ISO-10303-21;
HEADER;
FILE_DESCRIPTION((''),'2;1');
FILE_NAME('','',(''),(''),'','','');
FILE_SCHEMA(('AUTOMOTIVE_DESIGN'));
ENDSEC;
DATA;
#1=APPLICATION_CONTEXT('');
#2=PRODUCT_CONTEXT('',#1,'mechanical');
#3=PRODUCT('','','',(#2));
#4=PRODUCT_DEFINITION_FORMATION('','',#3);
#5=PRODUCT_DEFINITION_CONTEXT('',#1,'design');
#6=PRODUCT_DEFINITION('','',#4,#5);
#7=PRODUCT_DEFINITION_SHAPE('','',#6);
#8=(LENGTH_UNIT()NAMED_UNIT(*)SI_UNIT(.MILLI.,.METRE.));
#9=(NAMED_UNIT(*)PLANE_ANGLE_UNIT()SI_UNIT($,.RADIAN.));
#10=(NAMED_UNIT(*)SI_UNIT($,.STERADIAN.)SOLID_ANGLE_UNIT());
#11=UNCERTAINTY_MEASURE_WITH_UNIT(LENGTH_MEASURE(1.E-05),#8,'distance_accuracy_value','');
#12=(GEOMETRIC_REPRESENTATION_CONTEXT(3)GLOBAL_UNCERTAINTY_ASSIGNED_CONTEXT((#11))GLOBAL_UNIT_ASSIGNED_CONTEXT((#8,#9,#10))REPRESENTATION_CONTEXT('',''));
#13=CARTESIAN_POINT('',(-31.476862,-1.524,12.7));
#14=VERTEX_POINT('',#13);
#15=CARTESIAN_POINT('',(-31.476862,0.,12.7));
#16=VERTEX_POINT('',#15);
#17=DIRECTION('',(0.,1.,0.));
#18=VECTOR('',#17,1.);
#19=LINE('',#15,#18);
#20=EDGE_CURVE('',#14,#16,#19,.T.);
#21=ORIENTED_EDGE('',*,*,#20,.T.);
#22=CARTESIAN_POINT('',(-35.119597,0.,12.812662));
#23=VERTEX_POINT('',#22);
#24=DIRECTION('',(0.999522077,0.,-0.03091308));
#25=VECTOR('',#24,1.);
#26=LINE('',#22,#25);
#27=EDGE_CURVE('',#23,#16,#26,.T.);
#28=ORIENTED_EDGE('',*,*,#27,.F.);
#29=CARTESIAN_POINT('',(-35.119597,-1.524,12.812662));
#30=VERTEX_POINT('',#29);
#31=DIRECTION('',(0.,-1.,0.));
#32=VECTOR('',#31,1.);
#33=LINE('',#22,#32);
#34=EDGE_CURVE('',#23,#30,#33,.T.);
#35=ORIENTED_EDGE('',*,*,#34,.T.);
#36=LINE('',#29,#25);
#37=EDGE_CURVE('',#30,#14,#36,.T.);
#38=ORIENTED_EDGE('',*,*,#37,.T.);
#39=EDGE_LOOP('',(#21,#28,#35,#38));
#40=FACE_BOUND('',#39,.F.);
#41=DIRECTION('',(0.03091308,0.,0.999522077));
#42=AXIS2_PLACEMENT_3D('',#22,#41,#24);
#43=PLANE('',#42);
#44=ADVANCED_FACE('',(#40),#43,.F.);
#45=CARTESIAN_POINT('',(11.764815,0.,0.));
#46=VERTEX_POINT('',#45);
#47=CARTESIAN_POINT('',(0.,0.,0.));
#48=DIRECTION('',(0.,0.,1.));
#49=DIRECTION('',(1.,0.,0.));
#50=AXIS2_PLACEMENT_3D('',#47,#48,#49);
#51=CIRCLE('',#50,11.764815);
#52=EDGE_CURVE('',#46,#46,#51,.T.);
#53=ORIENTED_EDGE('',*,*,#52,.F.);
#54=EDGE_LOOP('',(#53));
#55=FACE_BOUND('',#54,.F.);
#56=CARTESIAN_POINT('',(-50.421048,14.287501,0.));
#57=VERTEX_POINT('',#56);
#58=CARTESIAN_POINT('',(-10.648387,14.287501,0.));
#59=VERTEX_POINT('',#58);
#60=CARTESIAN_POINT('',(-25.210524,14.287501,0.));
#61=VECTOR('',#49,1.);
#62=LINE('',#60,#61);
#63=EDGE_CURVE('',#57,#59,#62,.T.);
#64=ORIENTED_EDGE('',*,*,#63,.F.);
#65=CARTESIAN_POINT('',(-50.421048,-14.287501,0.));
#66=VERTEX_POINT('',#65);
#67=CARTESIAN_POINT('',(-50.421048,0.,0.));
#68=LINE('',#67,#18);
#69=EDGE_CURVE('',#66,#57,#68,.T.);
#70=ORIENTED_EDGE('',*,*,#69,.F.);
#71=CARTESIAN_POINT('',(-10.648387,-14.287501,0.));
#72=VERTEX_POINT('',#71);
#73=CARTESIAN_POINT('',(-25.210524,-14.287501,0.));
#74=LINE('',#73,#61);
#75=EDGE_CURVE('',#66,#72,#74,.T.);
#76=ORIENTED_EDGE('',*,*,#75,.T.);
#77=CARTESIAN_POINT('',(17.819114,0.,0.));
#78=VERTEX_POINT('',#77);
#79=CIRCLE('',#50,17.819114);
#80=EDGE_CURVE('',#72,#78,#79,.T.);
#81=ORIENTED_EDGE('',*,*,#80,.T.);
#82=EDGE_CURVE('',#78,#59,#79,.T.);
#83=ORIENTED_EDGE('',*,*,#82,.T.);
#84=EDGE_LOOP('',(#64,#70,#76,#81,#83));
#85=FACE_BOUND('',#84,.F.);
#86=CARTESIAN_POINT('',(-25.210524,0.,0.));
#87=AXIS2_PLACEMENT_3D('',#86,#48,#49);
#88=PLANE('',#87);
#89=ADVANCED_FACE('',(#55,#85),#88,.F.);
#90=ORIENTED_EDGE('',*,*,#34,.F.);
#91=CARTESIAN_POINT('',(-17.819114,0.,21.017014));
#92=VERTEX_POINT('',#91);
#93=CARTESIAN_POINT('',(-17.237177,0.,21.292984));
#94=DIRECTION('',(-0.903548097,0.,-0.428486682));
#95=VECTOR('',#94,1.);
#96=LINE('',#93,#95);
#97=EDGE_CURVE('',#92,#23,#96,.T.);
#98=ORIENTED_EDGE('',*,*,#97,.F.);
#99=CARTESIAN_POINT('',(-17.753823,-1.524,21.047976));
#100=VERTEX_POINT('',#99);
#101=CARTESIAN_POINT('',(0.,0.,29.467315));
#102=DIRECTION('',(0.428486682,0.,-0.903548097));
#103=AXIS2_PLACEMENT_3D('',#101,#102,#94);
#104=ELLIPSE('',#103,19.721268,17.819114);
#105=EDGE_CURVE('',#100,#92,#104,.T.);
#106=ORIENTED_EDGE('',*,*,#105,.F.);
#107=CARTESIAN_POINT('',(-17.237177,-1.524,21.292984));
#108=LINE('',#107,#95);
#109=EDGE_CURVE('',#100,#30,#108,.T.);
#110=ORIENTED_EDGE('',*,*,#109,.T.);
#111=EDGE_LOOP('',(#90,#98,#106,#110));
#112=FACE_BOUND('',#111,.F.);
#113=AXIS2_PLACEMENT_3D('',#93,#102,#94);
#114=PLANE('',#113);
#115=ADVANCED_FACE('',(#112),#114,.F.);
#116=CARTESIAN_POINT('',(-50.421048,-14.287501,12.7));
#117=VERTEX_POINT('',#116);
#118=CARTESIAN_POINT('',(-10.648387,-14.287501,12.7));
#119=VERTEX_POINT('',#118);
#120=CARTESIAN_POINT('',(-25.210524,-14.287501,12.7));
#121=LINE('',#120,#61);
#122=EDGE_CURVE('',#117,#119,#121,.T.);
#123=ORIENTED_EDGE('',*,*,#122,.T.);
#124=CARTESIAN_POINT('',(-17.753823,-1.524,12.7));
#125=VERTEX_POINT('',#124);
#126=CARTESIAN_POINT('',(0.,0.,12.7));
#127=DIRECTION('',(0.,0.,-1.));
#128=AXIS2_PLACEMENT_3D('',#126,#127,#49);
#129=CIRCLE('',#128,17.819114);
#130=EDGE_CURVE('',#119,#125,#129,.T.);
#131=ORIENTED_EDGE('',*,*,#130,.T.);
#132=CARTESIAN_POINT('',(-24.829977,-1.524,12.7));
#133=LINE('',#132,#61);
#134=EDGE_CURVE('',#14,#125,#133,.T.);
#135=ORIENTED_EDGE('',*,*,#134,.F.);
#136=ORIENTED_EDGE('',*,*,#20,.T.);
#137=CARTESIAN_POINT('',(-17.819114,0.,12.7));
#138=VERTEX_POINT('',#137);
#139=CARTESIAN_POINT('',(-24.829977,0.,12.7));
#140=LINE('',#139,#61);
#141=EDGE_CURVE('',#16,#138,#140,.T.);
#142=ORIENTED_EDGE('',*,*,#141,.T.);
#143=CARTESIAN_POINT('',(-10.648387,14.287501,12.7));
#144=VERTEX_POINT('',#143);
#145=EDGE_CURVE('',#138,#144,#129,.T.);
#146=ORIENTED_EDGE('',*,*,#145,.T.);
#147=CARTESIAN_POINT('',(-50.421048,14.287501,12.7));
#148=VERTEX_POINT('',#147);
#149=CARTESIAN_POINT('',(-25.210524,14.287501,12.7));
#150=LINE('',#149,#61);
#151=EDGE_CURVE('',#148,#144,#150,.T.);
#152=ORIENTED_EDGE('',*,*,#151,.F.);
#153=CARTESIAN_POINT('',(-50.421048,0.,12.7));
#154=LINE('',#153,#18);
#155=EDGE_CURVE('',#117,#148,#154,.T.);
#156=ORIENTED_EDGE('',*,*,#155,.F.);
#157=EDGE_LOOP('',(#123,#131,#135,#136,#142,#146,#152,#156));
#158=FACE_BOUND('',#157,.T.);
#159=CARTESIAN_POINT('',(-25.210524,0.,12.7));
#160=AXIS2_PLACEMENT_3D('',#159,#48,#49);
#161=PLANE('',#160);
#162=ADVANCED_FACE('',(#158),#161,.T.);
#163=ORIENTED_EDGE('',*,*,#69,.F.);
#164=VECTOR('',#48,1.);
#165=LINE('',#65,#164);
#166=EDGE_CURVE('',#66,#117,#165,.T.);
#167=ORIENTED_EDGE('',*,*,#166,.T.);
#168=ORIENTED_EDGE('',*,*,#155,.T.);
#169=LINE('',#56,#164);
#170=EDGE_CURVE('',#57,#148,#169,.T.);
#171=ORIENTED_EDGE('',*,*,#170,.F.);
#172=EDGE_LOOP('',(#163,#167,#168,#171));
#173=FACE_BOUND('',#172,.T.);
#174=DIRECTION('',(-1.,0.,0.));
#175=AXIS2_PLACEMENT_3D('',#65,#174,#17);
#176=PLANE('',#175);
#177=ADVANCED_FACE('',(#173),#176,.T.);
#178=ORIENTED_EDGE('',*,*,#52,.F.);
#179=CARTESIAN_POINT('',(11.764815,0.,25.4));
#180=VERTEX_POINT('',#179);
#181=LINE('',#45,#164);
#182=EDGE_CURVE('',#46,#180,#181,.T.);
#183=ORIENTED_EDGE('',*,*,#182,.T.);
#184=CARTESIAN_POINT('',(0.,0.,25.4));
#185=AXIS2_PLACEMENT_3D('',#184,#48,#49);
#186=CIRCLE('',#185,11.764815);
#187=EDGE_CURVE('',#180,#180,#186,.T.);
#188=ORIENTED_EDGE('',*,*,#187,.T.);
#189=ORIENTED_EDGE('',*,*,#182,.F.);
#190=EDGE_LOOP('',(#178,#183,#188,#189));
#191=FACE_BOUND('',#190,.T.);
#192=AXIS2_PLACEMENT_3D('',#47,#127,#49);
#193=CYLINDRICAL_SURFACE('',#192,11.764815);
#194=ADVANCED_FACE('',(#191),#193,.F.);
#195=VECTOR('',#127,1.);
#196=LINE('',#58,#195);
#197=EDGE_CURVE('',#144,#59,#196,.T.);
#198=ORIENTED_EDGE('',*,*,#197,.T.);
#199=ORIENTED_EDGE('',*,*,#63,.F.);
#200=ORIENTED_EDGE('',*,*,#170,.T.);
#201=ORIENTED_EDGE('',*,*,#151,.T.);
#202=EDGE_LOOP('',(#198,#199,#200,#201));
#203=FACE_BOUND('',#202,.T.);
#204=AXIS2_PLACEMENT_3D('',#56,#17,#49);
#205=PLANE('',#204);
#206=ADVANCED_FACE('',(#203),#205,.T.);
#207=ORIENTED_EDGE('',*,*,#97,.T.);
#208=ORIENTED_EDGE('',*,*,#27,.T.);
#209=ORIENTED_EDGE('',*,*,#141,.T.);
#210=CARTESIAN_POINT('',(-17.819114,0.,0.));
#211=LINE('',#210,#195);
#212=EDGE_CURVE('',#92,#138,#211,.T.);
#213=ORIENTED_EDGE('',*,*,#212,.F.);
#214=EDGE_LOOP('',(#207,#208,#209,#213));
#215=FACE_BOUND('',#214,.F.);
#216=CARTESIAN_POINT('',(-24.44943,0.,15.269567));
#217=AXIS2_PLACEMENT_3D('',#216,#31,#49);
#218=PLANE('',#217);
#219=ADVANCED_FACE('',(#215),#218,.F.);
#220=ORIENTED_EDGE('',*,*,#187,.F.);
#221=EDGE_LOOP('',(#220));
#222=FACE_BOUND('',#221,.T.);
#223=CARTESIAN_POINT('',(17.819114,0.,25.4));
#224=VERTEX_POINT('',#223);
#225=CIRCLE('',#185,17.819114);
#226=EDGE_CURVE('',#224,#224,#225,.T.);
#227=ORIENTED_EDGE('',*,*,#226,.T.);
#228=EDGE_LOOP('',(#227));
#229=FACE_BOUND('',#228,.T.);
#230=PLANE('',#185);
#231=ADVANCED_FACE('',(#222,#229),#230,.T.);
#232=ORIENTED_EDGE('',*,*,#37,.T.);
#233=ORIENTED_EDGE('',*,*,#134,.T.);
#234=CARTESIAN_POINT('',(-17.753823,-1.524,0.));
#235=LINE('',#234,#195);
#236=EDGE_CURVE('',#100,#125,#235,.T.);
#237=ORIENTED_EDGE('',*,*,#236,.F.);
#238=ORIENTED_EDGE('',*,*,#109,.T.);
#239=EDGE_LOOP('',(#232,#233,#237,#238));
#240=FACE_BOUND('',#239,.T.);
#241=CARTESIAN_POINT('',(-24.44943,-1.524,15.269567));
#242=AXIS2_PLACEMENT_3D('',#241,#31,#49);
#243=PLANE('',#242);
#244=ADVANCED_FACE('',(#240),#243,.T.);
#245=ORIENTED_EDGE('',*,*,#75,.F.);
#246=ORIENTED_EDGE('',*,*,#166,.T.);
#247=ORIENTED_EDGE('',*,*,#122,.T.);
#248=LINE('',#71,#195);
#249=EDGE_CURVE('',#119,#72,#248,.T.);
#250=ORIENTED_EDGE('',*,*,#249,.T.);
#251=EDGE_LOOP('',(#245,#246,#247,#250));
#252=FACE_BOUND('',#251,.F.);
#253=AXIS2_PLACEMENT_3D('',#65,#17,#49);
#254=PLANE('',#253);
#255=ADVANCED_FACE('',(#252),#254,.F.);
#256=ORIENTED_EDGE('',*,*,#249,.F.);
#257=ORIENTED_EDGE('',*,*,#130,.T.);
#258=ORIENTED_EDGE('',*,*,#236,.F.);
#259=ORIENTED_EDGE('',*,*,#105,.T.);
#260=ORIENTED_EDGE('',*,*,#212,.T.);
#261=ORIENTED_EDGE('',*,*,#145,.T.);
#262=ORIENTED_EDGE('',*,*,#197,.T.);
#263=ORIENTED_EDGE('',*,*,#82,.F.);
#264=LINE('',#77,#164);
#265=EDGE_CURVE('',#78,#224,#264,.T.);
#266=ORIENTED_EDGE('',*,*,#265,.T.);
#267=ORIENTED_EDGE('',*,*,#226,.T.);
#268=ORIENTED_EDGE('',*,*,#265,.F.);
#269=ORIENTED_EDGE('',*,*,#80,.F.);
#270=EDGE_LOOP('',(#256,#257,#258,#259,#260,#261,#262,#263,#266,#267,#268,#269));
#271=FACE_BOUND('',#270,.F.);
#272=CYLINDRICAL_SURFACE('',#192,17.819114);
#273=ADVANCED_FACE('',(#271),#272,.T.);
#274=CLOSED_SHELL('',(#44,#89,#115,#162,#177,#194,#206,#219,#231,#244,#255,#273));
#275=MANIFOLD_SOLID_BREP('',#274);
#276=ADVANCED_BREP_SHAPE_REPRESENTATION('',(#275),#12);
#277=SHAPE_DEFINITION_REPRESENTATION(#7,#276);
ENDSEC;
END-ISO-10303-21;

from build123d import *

# Parameters (mm, degrees)
F0_R     = 17.819114
F1_DEPTH = 25.4
F2_W     = 50.421048
F2_H     = 28.575002
F3_DEPTH = 12.7
F4_R     = 11.764815
F5_DEPTH = 25.4
F7_DEPTH = 1.524


with BuildPart() as f1:
    # F0 (on Top) → F1 (new body)
    with BuildSketch(Plane.XY):
        Circle(F0_R)
    extrude(amount=F1_DEPTH)

    # F2 (on Top) → F3 (join)
    with BuildSketch(Plane.XY):
        with Locations((-25.210524, 0)):
            Rectangle(F2_W, F2_H)
    extrude(amount=F3_DEPTH)

    # F4 (on Top) → F5 (cut)
    with BuildSketch(Plane.XY):
        Circle(F4_R)
    extrude(amount=F5_DEPTH, mode=Mode.SUBTRACT)

    # F6 (on Front) → F7 (join)
    with BuildSketch(Plane.XZ):
        Polygon((-17.237177, 21.292984), (-35.119597, 12.812662), (-17.237177, 12.259597), align=None)
    extrude(amount=F7_DEPTH)


solid = f1.part
